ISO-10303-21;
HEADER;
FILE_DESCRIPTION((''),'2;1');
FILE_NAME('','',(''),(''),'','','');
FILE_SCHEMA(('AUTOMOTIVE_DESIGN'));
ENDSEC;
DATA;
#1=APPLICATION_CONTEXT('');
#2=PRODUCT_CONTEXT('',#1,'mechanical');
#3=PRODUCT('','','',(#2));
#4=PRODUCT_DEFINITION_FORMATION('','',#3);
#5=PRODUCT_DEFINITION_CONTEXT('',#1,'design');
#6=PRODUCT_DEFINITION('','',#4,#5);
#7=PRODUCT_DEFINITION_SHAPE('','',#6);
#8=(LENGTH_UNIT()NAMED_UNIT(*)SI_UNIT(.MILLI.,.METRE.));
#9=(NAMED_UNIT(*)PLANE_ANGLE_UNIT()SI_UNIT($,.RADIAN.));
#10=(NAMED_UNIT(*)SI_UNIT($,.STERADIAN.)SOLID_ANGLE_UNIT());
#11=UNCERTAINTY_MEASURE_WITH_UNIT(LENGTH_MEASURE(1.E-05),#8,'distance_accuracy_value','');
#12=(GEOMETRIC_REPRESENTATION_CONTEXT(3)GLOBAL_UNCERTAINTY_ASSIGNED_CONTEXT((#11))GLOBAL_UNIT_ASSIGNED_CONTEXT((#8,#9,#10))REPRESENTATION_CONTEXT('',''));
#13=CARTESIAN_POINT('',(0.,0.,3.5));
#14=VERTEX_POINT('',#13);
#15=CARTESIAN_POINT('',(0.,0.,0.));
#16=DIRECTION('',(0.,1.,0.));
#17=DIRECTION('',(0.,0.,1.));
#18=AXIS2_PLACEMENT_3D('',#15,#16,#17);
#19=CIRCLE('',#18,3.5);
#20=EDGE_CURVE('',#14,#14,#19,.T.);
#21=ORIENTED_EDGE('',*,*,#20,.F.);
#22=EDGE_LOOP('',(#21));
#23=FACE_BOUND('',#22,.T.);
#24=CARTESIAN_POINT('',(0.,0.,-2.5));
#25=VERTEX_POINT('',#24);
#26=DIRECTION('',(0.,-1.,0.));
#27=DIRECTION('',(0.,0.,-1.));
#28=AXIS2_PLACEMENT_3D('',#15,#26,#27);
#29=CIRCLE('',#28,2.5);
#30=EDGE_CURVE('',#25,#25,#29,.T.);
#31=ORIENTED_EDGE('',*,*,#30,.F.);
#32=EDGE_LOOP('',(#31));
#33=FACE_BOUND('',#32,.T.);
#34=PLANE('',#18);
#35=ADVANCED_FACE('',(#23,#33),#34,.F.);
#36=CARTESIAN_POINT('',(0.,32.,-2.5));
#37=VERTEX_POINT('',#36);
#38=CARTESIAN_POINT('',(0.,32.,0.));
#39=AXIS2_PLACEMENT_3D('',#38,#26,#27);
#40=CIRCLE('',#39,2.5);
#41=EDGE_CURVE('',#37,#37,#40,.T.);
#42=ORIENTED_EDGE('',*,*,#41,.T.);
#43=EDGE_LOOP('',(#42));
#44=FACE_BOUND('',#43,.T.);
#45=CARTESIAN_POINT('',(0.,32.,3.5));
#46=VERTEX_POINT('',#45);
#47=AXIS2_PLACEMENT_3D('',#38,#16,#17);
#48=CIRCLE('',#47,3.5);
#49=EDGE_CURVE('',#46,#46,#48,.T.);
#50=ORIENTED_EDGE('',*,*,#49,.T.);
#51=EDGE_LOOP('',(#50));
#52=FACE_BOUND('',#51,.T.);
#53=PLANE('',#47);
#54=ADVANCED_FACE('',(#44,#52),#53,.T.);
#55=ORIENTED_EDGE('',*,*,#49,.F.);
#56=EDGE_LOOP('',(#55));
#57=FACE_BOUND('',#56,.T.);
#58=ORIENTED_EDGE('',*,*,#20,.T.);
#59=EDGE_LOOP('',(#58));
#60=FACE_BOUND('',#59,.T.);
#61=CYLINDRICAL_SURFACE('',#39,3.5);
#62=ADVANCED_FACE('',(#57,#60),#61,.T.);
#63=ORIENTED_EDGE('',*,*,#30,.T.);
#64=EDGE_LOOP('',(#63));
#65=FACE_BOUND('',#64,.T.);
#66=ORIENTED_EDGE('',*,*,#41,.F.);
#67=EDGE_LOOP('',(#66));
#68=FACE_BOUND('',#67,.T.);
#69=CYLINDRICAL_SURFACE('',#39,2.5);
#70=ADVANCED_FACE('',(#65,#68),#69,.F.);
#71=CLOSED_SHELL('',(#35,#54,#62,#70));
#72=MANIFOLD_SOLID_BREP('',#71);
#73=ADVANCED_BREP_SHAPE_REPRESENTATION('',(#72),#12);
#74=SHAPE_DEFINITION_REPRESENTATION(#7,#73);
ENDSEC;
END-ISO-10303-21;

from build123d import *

# Parameters (mm, degrees)
SKETCH1_R           = 3.5
BOSS_EXTRUDE1_DEPTH = 32
SKETCH2_R           = 2.5
CUT_EXTRUDE1_DEPTH  = 32


with BuildPart() as part:
    # Sketch1 → Boss-Extrude1 (new body)
    with BuildSketch(Plane(origin=(0, 0, 0), x_dir=(1, 0, 0), z_dir=(0, 1, 0))):
        with Locations(Location((0, 0, 0), (0, 0, 270))):
            Circle(SKETCH1_R)
    extrude(amount=BOSS_EXTRUDE1_DEPTH)

    # Sketch2 → Cut-Extrude1 (cut)
    with BuildSketch(Plane.XZ):
        with Locations(Location((0, 0, 0), (0, 0, 270))):
            Circle(SKETCH2_R)
    extrude(amount=-CUT_EXTRUDE1_DEPTH, mode=Mode.SUBTRACT)


solid = part.part
